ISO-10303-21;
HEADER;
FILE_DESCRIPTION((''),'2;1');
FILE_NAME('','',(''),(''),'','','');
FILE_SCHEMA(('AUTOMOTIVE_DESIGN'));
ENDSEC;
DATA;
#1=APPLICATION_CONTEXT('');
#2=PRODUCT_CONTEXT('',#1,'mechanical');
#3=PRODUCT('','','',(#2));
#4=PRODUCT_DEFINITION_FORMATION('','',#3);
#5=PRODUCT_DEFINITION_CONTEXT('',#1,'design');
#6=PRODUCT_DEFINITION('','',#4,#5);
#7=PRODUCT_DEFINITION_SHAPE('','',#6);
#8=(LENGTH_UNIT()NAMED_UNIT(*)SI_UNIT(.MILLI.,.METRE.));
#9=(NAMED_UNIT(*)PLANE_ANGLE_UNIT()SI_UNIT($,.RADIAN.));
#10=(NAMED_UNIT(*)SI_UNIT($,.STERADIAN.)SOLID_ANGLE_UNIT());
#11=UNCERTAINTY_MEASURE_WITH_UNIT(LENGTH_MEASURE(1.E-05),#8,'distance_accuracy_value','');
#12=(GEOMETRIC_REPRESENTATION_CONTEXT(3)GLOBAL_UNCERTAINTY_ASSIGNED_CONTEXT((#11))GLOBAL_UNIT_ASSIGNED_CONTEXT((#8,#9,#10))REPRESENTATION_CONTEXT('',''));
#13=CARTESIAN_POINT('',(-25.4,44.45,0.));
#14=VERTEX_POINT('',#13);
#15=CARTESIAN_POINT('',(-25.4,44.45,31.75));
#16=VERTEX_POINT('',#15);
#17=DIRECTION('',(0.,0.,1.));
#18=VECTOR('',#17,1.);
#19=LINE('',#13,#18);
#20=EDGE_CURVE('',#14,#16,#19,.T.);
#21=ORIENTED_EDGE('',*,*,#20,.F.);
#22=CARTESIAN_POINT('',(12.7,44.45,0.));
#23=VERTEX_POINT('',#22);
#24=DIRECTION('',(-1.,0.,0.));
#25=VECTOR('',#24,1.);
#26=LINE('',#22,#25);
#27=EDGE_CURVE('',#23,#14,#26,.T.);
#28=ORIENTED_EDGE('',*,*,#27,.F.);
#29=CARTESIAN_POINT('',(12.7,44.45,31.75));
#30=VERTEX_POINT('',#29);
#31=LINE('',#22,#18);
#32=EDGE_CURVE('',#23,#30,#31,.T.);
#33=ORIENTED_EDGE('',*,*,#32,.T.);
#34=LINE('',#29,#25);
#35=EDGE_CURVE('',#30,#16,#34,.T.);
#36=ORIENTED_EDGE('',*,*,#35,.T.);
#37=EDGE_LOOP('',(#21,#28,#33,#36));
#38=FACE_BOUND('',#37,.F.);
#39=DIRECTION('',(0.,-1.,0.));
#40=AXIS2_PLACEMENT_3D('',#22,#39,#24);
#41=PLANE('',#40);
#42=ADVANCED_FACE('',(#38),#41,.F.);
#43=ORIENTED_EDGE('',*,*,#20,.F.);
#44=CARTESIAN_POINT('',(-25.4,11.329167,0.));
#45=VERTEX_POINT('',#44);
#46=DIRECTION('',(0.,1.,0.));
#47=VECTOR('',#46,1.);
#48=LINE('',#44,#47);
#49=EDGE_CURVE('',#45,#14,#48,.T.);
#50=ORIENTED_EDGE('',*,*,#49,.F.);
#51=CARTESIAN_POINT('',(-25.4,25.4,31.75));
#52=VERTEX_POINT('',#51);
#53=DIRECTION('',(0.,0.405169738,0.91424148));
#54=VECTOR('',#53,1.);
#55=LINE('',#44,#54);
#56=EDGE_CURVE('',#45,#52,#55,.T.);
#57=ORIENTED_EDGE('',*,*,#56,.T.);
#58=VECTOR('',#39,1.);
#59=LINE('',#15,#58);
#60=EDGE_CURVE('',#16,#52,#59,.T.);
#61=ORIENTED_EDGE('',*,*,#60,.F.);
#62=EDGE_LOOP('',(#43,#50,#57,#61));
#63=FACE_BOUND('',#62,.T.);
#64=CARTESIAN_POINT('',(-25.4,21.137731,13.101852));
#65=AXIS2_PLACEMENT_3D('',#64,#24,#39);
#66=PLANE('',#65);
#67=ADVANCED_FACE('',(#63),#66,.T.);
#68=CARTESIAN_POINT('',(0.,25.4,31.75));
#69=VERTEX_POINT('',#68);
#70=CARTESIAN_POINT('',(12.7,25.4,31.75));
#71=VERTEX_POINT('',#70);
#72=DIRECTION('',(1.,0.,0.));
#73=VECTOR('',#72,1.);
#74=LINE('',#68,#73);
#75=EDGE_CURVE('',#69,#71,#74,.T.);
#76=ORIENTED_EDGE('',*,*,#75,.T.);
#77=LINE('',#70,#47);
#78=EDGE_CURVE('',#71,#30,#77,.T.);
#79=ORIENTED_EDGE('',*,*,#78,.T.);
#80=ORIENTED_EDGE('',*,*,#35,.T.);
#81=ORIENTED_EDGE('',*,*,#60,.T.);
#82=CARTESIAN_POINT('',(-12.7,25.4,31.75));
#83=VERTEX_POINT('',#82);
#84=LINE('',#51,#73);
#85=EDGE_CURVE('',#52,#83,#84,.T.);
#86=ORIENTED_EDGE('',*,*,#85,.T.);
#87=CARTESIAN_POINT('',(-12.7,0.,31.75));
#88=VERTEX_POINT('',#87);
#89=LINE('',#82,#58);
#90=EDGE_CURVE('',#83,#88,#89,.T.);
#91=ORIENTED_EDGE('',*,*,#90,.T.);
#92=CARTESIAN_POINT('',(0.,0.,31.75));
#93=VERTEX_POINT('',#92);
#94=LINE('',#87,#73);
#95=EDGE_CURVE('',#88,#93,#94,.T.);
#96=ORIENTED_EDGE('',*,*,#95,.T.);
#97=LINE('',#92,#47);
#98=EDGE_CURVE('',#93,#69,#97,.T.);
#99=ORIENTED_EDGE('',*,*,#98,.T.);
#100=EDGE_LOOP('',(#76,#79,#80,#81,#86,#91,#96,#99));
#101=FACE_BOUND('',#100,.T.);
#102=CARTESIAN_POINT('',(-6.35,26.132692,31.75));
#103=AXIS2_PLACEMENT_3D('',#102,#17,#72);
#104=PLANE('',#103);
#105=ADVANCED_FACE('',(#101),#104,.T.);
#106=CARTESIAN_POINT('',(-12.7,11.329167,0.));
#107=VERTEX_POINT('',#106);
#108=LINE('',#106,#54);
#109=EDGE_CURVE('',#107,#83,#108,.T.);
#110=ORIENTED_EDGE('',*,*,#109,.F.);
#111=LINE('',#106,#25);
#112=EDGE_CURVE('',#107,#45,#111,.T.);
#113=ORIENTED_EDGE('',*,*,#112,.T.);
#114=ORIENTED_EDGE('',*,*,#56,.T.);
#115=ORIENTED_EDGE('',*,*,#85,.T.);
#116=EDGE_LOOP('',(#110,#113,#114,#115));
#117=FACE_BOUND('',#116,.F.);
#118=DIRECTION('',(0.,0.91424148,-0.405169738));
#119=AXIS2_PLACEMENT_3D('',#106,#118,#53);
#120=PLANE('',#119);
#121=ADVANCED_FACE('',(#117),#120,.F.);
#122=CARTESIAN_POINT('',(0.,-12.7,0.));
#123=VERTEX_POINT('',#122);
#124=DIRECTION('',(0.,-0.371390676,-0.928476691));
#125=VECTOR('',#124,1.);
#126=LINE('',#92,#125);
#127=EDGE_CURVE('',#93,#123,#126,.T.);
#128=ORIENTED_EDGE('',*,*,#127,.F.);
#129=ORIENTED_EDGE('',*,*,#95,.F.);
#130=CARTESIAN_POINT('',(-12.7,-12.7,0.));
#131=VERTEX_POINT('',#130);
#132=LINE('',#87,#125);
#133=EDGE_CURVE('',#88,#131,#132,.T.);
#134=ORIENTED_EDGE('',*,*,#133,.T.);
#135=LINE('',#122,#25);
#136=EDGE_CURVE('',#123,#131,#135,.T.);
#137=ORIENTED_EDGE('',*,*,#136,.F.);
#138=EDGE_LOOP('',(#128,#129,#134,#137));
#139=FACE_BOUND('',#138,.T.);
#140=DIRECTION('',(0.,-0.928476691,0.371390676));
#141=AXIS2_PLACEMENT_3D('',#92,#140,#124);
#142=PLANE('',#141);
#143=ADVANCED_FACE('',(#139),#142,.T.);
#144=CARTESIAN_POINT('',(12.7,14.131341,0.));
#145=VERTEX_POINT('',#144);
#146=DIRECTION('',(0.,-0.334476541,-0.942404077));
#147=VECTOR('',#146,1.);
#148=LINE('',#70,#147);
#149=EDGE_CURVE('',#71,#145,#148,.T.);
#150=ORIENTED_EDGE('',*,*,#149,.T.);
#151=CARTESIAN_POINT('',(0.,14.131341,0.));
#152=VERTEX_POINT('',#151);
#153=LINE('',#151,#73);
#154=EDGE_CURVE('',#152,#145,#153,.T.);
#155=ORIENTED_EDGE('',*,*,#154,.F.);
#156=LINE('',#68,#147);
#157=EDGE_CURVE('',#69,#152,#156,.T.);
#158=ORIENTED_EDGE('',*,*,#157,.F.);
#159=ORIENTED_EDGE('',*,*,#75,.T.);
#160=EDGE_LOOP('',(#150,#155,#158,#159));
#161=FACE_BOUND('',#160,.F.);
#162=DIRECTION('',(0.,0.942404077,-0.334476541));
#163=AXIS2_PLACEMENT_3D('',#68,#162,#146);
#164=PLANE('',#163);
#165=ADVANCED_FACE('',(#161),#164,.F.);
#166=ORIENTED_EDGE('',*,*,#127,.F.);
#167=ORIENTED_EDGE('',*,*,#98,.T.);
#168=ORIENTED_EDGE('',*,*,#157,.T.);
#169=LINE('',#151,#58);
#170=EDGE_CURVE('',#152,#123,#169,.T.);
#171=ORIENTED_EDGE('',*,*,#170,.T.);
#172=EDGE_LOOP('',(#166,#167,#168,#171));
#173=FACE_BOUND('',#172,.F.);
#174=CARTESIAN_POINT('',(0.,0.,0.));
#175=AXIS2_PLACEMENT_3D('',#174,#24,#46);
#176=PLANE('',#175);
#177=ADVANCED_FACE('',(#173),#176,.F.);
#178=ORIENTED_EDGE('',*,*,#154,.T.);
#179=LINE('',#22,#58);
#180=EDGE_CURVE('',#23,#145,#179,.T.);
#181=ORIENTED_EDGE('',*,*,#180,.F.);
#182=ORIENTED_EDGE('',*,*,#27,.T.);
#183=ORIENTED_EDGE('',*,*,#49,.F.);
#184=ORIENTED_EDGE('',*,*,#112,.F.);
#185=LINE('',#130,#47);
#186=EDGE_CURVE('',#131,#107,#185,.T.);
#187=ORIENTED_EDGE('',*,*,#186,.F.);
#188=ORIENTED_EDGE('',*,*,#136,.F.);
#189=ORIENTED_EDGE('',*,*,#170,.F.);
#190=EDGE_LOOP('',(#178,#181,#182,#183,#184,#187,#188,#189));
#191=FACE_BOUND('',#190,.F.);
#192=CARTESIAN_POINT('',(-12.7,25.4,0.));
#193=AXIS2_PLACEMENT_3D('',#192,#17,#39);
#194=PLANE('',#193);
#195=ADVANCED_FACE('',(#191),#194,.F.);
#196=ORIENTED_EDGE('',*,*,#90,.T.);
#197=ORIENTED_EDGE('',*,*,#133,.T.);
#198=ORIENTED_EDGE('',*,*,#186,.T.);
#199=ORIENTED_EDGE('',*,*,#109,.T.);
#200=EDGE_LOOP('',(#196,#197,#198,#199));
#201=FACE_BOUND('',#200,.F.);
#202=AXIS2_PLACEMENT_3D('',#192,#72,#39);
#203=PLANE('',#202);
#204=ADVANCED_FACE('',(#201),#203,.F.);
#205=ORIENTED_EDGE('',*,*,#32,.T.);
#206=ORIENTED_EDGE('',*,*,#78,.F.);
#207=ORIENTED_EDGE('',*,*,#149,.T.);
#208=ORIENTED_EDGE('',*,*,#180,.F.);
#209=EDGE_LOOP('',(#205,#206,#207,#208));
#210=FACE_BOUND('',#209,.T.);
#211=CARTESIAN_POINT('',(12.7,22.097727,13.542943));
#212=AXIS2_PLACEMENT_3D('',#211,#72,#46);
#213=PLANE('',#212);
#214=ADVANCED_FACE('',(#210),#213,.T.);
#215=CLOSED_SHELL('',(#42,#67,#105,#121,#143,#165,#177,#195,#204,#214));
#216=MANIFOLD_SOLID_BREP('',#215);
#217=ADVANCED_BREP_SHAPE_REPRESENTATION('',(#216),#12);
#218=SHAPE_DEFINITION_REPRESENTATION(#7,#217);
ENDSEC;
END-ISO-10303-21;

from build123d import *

# Parameters (mm, degrees)
F1_DEPTH = 31.75
F3_DEPTH = 12.7
F5_DEPTH = 12.7
F7_DEPTH = 12.7


with BuildPart() as f1:
    # F0 (on Top) → F1 (new body)
    with BuildSketch(Plane.XY):
        Polygon((-12.7, 0), (0, 0), (0, 25.4), (12.7, 25.4), (12.7, 44.45), (-25.4, 44.45), (-25.4, 25.4), (-12.7, 25.4), align=None)
    extrude(amount=F1_DEPTH)

    # F2 (on face) → F3 (join)
    with BuildSketch(Plane.YZ):
        Polygon((25.4, 31.75), (14.131341, 0), (25.4, 0), align=None)
    extrude(amount=F3_DEPTH)

    # F4 (on face) → F5 (join)
    with BuildSketch(Plane(origin=(-12.7, 0, 0), x_dir=(0, -1, 0), z_dir=(-1, 0, 0))):
        Polygon((-25.4, 0), (-11.329167, 0), (-25.4, 31.75), align=None)
    extrude(amount=F5_DEPTH)

    # F6 (on face) → F7 (join)
    with BuildSketch(Plane.YZ):
        Polygon((0, 31.75), (0, 0), (14.131341, 0), (25.4, 31.75), align=None)
        Polygon((-12.7, 0), (0, 0), (0, 31.75), align=None)
    extrude(amount=-F7_DEPTH)


solid = f1.part
